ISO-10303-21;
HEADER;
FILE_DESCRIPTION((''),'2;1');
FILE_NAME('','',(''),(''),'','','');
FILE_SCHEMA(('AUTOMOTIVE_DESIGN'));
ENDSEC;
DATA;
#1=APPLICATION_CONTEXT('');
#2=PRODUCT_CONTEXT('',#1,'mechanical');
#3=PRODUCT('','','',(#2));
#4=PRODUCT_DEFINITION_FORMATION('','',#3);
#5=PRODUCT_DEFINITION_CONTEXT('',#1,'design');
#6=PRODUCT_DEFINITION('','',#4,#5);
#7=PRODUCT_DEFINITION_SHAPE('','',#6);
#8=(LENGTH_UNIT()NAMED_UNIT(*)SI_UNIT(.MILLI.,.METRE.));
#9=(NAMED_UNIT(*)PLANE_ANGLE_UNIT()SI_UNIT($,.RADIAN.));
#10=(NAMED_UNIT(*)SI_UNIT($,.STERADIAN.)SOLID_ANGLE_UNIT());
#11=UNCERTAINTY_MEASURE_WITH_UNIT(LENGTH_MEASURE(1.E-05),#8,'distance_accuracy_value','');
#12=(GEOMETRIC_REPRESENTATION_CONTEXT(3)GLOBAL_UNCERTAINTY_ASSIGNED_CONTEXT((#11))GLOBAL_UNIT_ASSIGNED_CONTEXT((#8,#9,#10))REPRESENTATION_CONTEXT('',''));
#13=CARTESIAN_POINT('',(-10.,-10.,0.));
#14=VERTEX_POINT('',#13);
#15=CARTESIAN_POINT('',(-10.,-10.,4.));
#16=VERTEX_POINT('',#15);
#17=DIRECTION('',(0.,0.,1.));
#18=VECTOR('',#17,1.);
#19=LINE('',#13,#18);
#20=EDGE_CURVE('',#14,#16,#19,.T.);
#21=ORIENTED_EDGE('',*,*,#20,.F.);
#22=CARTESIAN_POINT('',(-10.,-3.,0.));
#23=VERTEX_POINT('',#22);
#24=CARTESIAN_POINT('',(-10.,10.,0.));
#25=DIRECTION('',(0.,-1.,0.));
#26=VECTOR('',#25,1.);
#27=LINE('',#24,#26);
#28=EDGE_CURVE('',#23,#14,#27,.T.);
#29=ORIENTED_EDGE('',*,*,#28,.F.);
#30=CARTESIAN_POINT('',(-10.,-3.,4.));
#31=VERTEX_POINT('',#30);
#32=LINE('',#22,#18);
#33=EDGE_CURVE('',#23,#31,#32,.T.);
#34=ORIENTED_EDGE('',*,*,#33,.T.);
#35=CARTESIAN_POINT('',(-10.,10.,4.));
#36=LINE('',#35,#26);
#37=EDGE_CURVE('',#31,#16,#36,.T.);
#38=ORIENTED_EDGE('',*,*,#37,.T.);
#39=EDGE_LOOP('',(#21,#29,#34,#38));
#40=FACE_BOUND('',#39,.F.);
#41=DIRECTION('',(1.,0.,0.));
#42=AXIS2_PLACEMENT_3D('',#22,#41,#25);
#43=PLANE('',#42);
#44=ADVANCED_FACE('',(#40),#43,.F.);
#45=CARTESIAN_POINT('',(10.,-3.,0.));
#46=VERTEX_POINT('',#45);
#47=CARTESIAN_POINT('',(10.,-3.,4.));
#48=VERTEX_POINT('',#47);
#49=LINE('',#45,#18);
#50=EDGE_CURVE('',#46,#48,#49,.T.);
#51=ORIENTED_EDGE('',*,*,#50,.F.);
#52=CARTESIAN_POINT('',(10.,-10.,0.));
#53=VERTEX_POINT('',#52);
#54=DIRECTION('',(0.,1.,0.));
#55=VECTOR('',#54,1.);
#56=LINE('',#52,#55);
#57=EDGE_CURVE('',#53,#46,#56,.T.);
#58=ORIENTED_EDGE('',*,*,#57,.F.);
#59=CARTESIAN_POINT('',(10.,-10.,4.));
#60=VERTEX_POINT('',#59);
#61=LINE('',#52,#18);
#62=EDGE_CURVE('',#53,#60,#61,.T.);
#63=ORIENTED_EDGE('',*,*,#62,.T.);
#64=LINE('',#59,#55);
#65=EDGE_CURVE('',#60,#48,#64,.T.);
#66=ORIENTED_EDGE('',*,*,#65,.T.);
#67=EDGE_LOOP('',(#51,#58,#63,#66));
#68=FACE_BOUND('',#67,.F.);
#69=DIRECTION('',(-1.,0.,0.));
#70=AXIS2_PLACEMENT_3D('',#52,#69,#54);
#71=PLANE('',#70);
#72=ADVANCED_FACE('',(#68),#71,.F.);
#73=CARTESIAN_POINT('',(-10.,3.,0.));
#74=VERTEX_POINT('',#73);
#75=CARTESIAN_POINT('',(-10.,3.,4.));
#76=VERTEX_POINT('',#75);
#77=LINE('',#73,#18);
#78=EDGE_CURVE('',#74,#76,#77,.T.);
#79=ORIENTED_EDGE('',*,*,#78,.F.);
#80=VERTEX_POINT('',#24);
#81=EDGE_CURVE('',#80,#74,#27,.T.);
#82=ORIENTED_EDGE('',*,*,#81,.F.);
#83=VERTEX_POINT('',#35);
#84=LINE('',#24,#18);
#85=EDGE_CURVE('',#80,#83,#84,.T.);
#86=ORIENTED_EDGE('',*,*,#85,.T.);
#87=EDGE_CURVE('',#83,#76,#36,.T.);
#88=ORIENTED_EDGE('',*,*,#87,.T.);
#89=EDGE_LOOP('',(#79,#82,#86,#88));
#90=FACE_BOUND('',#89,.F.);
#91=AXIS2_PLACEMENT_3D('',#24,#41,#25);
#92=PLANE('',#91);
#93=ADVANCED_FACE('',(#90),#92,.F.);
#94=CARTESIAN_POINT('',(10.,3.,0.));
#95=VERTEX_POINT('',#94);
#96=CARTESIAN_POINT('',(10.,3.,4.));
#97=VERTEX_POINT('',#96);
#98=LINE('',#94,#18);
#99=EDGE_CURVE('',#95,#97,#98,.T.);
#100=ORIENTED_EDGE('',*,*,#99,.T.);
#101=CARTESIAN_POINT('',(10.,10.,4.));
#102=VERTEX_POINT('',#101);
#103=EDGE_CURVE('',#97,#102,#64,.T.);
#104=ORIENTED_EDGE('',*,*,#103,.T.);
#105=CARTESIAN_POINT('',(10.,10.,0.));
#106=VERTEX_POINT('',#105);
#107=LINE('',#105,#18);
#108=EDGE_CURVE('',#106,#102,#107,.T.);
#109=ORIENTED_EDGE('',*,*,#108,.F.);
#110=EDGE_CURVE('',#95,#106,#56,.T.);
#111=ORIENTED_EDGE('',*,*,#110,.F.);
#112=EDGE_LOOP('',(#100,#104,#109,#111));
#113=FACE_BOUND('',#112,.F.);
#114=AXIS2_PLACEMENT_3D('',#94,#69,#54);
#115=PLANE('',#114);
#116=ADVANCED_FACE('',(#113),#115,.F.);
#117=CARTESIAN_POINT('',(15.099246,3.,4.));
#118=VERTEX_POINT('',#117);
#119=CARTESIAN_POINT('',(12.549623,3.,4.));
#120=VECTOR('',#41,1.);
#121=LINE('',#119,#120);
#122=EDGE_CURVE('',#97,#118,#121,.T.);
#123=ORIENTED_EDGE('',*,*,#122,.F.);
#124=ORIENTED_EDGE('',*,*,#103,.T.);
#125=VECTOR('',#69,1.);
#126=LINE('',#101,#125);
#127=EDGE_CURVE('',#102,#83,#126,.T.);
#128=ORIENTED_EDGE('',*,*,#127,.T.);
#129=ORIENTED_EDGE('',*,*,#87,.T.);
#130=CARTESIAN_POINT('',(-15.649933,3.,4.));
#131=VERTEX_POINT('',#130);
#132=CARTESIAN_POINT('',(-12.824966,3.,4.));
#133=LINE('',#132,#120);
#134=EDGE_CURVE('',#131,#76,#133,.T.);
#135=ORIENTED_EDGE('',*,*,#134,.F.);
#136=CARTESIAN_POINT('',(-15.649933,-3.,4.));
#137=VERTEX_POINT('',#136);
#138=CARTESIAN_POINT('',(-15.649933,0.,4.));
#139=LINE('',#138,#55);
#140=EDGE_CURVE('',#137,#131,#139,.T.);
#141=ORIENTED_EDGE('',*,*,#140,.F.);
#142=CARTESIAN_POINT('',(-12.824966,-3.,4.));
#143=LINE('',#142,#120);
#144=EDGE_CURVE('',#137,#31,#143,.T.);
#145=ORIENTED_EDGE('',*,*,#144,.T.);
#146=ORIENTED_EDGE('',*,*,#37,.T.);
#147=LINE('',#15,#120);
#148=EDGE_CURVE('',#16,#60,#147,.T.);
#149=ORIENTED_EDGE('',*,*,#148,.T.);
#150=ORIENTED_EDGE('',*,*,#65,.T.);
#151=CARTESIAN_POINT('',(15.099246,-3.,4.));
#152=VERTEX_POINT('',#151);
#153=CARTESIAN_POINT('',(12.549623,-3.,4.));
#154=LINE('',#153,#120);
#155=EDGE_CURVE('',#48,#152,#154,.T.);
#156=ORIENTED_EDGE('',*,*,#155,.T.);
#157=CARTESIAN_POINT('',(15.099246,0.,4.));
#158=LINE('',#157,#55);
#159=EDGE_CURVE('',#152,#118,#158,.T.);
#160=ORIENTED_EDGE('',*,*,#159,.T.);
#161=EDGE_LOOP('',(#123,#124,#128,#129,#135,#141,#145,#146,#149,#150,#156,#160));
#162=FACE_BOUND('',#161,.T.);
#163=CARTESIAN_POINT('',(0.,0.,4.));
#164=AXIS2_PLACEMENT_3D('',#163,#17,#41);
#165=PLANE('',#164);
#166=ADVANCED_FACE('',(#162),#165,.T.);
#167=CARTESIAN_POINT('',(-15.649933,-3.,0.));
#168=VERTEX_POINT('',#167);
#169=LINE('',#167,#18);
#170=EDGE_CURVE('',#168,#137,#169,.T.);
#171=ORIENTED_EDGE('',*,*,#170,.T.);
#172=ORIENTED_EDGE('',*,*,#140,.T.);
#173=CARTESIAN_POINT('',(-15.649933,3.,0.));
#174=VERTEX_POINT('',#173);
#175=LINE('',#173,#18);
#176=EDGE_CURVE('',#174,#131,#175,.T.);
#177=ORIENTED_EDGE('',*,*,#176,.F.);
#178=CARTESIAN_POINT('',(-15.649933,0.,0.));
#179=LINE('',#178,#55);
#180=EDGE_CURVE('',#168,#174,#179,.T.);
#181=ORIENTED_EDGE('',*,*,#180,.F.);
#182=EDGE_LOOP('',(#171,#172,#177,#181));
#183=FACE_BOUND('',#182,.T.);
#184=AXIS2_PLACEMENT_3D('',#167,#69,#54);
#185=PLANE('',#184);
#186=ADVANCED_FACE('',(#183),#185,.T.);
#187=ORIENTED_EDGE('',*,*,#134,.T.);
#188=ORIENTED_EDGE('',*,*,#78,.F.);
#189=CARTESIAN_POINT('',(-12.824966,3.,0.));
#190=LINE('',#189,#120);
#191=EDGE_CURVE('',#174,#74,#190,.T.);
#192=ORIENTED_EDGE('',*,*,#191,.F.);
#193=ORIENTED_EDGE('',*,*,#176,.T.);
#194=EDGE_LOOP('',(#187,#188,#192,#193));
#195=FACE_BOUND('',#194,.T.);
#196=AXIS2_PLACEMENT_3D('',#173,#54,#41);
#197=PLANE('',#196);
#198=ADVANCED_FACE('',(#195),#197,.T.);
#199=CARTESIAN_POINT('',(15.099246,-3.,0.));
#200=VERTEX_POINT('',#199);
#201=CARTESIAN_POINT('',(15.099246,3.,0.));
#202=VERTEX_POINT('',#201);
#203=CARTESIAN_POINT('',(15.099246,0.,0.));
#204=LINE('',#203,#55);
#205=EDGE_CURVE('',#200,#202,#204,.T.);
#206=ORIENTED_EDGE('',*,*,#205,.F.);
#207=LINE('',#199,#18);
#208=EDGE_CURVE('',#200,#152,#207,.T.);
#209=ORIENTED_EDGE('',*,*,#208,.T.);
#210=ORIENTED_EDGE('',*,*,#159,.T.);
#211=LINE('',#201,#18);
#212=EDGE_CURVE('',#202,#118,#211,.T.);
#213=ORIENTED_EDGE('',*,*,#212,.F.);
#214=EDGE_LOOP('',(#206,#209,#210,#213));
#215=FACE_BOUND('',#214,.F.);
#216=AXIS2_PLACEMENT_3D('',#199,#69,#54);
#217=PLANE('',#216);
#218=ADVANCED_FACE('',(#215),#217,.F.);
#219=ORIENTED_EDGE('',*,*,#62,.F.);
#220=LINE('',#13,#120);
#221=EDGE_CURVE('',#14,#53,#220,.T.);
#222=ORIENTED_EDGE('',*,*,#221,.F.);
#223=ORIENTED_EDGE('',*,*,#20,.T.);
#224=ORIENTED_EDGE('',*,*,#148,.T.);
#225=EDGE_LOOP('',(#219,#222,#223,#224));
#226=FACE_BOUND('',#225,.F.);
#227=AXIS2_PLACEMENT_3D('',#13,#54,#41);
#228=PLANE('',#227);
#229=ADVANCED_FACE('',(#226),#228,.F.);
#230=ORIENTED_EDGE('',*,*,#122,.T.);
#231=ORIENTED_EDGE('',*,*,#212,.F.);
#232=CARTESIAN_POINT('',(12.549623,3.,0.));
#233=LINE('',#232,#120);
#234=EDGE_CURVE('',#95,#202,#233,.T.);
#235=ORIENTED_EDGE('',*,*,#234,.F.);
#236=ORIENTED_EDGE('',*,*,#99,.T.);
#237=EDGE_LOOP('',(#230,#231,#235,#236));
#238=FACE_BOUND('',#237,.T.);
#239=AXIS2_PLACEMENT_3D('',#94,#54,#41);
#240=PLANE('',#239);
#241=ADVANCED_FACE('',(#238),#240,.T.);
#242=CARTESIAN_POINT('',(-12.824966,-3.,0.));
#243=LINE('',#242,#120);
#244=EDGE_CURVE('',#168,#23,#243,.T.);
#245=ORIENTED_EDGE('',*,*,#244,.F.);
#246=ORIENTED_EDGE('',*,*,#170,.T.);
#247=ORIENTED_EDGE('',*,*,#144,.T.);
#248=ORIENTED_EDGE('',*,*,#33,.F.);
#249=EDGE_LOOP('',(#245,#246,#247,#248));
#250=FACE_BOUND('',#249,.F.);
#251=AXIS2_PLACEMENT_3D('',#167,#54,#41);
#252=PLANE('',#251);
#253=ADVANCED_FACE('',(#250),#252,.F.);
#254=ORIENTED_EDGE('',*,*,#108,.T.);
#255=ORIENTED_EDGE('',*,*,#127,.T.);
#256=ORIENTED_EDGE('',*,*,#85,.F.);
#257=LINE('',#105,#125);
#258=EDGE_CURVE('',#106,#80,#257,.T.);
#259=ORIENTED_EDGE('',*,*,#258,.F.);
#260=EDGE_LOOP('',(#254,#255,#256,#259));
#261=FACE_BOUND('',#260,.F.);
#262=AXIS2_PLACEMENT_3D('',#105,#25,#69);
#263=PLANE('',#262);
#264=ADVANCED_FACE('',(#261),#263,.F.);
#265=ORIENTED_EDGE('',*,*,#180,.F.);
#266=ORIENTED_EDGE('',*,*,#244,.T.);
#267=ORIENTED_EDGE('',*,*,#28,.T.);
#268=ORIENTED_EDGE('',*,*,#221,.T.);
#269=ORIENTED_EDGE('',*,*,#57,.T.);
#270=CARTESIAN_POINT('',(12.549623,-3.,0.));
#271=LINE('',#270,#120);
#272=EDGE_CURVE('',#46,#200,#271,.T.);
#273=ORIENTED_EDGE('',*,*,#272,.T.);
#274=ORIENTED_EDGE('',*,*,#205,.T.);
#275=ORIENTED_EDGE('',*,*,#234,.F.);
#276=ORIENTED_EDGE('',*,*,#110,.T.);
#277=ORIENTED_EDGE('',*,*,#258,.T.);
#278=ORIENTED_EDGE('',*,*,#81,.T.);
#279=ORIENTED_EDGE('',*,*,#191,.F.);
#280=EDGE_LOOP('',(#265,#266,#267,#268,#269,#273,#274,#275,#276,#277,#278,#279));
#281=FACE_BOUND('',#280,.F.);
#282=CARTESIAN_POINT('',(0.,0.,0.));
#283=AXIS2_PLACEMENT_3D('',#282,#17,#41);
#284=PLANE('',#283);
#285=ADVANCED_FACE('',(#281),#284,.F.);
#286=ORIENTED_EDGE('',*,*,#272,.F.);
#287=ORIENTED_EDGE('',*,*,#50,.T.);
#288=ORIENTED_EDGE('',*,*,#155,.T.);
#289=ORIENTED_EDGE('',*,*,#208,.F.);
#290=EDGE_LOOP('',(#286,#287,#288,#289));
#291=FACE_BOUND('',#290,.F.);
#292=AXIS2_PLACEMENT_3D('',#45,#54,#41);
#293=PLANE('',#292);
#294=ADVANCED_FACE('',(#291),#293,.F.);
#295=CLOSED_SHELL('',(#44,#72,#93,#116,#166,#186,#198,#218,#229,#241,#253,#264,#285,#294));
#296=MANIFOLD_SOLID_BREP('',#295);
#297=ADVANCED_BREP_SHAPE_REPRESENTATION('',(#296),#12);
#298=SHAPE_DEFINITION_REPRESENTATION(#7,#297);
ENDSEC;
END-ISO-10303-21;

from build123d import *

# Parameters (mm, degrees)
F0_W     = 5.649933
F0_H     = 6
F0_W_2   = 5.099247
F1_DEPTH = 4


with BuildPart() as f1:
    # F0 (on Top) → F1 (new body)
    with BuildSketch(Plane.XY):
        Polygon((10, 10), (-10, 10), (-10, 3), (-10, -3), (-10, -10), (10, -10), (10, -3), (10, 3), align=None)
        with Locations((-12.824966, 0)):
            Rectangle(F0_W, F0_H)
        with Locations((12.549623, 0)):
            Rectangle(F0_W_2, F0_H)
    extrude(amount=F1_DEPTH)


solid = f1.part
